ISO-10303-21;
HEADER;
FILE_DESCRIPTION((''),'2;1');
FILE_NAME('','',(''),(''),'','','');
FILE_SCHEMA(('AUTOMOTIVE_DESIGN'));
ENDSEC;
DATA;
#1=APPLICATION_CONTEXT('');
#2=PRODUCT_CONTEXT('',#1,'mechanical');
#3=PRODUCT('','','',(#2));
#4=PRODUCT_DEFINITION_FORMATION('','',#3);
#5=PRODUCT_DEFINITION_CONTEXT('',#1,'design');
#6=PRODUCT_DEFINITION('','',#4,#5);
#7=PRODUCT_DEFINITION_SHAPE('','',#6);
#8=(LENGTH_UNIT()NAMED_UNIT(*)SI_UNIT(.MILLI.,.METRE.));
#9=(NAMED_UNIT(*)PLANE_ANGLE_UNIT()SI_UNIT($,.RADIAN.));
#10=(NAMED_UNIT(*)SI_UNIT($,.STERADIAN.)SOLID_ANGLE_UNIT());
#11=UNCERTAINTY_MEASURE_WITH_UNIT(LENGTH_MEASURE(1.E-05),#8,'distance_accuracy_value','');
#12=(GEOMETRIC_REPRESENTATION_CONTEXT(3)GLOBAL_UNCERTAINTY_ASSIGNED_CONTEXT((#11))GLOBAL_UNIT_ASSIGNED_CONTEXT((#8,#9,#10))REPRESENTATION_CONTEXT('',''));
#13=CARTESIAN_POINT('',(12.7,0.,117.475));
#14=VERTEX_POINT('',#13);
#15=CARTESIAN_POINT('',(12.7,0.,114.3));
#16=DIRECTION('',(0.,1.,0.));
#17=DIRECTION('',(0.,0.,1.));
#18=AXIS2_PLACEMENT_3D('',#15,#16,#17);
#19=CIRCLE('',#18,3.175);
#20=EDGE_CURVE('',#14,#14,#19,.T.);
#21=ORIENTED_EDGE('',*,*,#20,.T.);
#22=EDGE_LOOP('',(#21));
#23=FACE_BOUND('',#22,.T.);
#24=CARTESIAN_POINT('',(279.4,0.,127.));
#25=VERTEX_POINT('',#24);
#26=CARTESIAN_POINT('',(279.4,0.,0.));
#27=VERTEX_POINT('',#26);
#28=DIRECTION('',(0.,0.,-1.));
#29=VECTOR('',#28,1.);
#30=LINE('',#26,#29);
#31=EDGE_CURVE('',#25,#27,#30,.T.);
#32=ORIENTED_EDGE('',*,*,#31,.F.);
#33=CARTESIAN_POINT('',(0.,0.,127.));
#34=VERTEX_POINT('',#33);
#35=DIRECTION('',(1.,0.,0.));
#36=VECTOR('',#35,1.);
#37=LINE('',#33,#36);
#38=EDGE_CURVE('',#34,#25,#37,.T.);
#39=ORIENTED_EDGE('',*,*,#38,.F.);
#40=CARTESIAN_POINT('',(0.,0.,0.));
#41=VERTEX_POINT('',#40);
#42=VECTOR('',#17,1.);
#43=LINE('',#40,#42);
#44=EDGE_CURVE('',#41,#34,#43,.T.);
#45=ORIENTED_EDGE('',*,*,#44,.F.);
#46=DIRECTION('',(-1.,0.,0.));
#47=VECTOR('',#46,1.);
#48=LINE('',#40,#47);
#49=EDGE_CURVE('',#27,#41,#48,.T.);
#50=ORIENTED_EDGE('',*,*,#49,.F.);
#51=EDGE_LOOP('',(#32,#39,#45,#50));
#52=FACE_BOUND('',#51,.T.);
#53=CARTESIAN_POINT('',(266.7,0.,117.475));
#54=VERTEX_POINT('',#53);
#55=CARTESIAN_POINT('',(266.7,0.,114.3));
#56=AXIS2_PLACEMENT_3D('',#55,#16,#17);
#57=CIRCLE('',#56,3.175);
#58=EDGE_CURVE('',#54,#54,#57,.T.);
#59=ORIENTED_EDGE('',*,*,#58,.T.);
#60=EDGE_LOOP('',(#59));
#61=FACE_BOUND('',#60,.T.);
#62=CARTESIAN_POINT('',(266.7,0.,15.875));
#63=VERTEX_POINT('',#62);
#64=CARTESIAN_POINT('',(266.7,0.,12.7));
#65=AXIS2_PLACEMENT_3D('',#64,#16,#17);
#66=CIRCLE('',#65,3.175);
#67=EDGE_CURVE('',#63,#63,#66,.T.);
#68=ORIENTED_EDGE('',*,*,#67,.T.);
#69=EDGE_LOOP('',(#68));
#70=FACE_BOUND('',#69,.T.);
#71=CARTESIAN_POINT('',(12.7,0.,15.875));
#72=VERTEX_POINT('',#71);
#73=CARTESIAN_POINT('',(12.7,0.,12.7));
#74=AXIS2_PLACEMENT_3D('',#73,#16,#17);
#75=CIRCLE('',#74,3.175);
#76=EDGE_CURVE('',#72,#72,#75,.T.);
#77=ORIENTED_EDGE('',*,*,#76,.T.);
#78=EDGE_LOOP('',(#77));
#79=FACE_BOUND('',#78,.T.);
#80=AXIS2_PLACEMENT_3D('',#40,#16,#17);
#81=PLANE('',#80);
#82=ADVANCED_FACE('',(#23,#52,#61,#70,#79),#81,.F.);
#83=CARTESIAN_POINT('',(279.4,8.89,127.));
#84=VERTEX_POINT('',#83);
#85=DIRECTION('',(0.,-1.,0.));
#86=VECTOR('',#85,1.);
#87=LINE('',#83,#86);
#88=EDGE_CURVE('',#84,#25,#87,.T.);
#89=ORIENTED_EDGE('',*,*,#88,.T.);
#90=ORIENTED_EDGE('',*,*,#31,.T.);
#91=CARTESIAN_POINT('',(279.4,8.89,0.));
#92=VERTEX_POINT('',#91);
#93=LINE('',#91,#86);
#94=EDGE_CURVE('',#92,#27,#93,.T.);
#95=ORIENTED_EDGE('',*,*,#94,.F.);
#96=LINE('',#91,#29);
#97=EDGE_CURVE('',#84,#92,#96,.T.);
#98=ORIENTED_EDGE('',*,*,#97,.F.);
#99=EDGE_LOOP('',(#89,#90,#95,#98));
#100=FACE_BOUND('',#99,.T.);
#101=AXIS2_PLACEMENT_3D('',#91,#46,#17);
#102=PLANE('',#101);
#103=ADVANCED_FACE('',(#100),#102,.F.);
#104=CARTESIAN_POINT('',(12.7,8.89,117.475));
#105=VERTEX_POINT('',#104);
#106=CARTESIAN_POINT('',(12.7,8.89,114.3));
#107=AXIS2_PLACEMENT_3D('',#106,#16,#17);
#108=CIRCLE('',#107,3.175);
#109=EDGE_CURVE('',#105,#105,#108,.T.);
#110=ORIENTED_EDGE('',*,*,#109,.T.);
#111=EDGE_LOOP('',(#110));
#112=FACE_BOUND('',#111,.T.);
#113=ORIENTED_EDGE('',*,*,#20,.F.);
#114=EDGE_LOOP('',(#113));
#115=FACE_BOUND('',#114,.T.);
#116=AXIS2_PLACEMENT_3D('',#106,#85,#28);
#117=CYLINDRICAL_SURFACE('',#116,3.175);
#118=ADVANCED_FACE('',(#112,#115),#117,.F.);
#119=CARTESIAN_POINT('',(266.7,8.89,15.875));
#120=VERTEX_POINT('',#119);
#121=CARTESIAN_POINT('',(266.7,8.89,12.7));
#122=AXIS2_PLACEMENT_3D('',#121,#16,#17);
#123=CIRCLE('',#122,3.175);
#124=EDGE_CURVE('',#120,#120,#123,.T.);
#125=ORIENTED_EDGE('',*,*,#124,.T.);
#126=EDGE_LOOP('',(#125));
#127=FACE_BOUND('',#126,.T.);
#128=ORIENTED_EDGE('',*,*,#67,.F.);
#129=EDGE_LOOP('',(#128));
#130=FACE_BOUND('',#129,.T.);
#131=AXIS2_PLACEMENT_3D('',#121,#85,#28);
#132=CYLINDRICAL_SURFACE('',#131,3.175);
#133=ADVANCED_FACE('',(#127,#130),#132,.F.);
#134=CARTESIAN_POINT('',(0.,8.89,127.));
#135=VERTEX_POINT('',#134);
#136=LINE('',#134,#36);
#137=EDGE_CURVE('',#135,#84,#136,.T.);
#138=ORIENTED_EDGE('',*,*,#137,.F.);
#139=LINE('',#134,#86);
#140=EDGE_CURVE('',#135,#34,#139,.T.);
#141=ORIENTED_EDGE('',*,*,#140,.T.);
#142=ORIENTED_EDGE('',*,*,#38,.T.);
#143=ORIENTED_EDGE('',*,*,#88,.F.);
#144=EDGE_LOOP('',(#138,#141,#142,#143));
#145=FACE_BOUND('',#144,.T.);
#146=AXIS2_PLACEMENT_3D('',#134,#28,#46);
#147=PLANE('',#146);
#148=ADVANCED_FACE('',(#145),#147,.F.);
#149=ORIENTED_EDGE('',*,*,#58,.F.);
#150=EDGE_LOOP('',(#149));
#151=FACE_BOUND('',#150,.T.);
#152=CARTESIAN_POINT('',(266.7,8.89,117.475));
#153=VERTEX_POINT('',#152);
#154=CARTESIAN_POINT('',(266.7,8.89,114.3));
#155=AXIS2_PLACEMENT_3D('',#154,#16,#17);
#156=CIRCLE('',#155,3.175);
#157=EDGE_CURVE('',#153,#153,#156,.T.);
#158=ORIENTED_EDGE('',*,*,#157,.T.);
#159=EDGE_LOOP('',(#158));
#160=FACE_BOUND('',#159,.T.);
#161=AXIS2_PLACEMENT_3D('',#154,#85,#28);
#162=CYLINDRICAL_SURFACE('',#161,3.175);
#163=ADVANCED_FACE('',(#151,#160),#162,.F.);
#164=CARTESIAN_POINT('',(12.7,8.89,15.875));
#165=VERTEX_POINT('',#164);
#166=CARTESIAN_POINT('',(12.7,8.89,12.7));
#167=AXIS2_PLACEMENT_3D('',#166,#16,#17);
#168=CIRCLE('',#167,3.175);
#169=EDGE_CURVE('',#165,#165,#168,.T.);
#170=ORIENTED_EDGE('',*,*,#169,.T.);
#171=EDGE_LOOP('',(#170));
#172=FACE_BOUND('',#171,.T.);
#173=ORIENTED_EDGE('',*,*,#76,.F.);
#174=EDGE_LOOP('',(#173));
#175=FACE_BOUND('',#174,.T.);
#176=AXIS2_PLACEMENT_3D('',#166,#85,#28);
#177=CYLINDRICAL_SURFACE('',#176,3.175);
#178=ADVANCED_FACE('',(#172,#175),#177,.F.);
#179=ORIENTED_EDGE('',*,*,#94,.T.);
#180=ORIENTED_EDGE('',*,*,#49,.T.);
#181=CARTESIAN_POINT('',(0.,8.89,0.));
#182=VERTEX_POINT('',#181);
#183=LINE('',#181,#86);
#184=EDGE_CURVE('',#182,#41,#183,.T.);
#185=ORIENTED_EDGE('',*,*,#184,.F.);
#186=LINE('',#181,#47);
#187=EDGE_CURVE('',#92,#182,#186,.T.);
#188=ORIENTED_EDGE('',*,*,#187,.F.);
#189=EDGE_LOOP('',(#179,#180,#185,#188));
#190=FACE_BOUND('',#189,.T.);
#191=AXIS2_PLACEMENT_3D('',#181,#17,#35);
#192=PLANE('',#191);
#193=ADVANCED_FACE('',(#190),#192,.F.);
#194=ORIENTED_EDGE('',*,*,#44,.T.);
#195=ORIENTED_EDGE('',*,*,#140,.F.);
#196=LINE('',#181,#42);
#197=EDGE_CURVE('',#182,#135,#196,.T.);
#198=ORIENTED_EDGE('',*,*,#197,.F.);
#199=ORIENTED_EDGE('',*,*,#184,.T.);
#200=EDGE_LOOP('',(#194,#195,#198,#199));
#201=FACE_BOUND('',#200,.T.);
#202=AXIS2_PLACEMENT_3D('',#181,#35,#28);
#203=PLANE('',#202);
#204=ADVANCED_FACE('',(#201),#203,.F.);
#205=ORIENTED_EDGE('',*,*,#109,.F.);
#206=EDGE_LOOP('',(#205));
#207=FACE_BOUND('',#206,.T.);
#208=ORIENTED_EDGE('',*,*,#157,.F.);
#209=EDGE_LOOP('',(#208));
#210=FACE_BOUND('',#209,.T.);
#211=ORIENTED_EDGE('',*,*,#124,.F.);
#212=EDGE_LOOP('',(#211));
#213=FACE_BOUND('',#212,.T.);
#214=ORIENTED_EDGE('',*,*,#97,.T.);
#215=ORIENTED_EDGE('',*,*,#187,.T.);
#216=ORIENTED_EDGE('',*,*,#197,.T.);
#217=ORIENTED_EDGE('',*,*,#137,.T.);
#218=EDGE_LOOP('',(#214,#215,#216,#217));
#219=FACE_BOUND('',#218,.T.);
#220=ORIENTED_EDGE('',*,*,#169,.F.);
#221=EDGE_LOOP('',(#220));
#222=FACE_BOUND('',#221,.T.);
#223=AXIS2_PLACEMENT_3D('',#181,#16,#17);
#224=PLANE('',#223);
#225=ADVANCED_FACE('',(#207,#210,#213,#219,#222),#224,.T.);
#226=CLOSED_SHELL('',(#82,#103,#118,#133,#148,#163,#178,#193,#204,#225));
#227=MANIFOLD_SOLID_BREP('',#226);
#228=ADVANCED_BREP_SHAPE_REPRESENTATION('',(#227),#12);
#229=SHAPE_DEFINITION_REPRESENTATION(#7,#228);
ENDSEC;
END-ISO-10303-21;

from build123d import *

# Parameters (mm, degrees)
SKETCH1_W           = 279.4
SKETCH1_H           = 127
SKETCH1_R           = 3.175
BOSS_EXTRUDE1_DEPTH = 8.89


with BuildPart() as part:
    # Sketch1 → Boss-Extrude1 (new body)
    with BuildSketch(Plane(origin=(0, 0, 0), x_dir=(1, 0, 0), z_dir=(0, 1, 0))):
        with Locations((139.7, -63.5)):
            Rectangle(SKETCH1_W, SKETCH1_H)
        with Locations((12.7, -12.7)):
            Circle(SKETCH1_R, mode=Mode.SUBTRACT)
        with Locations((12.7, -114.3)):
            Circle(SKETCH1_R, mode=Mode.SUBTRACT)
        with Locations((266.7, -12.7)):
            Circle(SKETCH1_R, mode=Mode.SUBTRACT)
        with Locations((266.7, -114.3)):
            Circle(SKETCH1_R, mode=Mode.SUBTRACT)
    extrude(amount=BOSS_EXTRUDE1_DEPTH)


solid = part.part
